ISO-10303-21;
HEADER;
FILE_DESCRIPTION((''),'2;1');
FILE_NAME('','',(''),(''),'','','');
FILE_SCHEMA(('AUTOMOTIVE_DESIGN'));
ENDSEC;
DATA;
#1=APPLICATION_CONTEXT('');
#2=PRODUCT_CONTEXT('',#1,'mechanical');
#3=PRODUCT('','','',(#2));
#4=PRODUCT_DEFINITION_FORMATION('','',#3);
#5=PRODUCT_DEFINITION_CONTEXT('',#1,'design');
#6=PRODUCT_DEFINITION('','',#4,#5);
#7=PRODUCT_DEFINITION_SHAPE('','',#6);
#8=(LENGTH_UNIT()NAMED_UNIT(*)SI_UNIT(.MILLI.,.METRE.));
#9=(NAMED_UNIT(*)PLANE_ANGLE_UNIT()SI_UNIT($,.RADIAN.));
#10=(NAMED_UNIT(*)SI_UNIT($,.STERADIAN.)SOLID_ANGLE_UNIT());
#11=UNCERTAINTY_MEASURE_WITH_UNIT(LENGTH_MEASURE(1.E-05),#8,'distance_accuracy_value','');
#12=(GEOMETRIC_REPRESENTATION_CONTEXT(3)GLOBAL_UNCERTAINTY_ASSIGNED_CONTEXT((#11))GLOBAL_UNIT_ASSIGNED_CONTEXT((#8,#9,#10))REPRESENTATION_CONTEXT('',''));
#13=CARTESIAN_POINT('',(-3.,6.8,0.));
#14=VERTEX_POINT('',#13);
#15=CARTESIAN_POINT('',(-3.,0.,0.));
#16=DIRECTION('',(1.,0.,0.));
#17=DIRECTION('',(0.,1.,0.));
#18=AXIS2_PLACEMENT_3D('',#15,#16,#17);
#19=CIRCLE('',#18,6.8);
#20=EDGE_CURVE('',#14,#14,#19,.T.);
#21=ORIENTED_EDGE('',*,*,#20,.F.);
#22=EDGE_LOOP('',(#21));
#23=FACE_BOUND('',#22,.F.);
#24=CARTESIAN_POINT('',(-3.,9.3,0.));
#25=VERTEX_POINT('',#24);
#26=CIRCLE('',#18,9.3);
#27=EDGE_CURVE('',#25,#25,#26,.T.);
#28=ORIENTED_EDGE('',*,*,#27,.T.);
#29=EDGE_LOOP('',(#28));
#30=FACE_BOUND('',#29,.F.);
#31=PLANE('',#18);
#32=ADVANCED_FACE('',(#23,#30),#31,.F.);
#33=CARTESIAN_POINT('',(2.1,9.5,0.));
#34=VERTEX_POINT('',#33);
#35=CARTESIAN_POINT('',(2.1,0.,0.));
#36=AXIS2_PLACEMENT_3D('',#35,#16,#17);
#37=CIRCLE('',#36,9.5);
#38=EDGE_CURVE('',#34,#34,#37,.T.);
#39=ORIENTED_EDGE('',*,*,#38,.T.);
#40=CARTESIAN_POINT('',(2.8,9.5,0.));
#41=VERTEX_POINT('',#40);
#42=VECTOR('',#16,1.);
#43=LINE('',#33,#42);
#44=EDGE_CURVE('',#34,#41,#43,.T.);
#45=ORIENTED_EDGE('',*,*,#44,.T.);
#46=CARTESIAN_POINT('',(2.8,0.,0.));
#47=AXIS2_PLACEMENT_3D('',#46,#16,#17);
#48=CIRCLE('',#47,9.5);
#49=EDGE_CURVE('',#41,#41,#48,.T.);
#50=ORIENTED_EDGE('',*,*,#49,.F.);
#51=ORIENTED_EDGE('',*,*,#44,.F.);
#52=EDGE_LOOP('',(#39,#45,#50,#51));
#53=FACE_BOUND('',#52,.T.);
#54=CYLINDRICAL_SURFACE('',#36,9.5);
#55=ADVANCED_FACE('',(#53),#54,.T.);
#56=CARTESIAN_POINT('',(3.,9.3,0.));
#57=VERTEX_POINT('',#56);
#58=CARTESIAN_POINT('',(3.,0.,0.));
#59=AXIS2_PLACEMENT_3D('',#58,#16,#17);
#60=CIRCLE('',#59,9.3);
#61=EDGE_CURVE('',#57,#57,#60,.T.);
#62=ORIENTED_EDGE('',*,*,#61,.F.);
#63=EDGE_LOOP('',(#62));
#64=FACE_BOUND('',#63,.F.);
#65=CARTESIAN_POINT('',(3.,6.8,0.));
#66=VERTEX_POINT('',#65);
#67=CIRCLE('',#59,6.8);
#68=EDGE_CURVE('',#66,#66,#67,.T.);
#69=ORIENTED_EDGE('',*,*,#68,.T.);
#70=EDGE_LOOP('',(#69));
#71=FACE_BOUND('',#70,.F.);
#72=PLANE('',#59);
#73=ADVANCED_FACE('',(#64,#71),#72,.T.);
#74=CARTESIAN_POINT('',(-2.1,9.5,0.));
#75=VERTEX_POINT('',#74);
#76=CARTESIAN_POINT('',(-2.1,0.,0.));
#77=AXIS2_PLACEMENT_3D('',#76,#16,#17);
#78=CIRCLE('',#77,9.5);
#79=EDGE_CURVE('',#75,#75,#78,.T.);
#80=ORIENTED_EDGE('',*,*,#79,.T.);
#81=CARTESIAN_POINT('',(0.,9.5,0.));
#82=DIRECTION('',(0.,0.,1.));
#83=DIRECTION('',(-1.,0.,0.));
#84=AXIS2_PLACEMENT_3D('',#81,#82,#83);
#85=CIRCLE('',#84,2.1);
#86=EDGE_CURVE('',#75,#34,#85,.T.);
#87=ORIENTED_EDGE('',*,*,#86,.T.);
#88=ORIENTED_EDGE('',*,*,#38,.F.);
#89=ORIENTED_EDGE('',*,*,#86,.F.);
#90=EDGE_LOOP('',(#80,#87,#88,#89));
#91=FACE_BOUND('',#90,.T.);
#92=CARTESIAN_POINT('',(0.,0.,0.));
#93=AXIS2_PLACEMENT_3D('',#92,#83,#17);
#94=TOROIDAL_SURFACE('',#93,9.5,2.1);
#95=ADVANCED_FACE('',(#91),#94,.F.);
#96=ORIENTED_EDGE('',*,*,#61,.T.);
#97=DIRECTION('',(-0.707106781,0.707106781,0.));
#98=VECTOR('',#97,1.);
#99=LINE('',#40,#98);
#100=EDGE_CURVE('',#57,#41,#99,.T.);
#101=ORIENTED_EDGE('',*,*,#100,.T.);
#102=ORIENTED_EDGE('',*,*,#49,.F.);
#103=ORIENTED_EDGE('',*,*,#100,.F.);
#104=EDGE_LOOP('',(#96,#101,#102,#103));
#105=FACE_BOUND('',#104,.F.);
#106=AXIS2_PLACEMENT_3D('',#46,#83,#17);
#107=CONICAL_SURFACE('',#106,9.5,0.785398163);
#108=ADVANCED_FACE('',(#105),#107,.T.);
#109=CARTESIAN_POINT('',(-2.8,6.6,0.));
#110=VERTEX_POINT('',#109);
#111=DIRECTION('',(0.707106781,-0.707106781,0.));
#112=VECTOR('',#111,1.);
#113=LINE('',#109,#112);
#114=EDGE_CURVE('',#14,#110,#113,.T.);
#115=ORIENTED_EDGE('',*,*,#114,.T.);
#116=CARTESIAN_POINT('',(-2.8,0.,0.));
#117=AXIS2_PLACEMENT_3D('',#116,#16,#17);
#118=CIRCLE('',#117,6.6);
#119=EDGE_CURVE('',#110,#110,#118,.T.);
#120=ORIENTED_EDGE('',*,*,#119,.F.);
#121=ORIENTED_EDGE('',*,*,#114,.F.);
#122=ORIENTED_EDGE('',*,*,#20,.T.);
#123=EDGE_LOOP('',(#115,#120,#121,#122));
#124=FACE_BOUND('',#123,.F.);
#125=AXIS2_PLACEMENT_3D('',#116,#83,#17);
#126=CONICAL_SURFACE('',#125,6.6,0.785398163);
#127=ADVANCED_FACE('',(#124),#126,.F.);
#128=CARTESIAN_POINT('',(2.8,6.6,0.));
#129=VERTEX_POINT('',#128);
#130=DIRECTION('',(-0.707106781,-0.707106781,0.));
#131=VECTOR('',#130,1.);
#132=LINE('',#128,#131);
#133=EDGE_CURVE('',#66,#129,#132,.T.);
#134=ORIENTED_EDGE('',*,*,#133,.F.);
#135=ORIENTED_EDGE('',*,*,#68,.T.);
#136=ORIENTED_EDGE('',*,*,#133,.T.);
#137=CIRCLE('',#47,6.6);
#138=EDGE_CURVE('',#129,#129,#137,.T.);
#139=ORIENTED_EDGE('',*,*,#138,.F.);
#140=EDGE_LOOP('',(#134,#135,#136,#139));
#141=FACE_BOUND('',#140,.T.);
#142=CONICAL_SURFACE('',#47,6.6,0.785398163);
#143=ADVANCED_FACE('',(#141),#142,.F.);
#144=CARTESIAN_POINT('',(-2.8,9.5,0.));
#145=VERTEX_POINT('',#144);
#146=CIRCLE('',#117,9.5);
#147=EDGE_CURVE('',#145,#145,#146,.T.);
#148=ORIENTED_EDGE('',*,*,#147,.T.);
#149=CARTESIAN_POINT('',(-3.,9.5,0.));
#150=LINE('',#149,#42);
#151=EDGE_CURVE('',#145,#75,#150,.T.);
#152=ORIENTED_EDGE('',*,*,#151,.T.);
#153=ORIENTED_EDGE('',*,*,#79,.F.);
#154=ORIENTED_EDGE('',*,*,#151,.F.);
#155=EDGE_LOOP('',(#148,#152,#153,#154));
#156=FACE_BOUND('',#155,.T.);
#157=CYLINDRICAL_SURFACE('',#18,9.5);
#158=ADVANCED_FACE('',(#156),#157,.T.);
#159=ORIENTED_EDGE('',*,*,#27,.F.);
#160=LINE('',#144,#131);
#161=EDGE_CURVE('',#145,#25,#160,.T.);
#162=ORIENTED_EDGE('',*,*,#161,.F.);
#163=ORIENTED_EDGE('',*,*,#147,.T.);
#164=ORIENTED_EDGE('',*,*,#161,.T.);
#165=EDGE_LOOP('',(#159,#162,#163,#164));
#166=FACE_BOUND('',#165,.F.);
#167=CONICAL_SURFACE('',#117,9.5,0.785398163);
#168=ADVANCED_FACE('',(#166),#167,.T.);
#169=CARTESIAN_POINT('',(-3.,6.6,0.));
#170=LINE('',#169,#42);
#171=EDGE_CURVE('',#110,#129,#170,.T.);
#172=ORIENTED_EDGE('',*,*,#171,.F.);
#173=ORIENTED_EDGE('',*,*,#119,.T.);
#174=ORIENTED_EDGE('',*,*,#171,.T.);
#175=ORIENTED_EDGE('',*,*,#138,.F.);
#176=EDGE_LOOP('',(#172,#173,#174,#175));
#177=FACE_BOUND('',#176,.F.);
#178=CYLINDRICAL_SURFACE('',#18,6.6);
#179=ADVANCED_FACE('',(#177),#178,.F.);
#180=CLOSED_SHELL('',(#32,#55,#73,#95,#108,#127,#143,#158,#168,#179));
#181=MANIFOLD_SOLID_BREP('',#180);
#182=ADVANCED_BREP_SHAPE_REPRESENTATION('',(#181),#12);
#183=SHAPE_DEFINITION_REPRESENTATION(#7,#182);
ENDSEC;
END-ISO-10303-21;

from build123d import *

# Parameters (mm, degrees)
CHAMFER_SIZE = 0.2


with BuildPart() as part:
    # Sketch → Revolution (revolve)
    with BuildSketch(Plane.XY):
        with BuildLine():
            Line((3, 6.6), (3, 9.5))
            Line((2.1, 9.5), (3, 9.5))
            ThreePointArc((-2.1, 9.5), (0, 7.4), (2.1, 9.5))
            Line((-3, 9.5), (-2.1, 9.5))
            Line((-3, 9.5), (-3, 6.6))
            Line((-3, 6.6), (3, 6.6))
        make_face()
    revolve(axis=Axis((0, 0, 0), (1, 0, 0)))

    # Chamfer
    chamfer_edges = [part.edges().sort_by_distance(p)[0] for p in [
        (-3, -6.6, 0),
        (-3, -9.5, 0),
        (3, -9.5, 0),
        (3, -6.6, 0),
    ]]
    chamfer(chamfer_edges, length=CHAMFER_SIZE)


solid = part.part
